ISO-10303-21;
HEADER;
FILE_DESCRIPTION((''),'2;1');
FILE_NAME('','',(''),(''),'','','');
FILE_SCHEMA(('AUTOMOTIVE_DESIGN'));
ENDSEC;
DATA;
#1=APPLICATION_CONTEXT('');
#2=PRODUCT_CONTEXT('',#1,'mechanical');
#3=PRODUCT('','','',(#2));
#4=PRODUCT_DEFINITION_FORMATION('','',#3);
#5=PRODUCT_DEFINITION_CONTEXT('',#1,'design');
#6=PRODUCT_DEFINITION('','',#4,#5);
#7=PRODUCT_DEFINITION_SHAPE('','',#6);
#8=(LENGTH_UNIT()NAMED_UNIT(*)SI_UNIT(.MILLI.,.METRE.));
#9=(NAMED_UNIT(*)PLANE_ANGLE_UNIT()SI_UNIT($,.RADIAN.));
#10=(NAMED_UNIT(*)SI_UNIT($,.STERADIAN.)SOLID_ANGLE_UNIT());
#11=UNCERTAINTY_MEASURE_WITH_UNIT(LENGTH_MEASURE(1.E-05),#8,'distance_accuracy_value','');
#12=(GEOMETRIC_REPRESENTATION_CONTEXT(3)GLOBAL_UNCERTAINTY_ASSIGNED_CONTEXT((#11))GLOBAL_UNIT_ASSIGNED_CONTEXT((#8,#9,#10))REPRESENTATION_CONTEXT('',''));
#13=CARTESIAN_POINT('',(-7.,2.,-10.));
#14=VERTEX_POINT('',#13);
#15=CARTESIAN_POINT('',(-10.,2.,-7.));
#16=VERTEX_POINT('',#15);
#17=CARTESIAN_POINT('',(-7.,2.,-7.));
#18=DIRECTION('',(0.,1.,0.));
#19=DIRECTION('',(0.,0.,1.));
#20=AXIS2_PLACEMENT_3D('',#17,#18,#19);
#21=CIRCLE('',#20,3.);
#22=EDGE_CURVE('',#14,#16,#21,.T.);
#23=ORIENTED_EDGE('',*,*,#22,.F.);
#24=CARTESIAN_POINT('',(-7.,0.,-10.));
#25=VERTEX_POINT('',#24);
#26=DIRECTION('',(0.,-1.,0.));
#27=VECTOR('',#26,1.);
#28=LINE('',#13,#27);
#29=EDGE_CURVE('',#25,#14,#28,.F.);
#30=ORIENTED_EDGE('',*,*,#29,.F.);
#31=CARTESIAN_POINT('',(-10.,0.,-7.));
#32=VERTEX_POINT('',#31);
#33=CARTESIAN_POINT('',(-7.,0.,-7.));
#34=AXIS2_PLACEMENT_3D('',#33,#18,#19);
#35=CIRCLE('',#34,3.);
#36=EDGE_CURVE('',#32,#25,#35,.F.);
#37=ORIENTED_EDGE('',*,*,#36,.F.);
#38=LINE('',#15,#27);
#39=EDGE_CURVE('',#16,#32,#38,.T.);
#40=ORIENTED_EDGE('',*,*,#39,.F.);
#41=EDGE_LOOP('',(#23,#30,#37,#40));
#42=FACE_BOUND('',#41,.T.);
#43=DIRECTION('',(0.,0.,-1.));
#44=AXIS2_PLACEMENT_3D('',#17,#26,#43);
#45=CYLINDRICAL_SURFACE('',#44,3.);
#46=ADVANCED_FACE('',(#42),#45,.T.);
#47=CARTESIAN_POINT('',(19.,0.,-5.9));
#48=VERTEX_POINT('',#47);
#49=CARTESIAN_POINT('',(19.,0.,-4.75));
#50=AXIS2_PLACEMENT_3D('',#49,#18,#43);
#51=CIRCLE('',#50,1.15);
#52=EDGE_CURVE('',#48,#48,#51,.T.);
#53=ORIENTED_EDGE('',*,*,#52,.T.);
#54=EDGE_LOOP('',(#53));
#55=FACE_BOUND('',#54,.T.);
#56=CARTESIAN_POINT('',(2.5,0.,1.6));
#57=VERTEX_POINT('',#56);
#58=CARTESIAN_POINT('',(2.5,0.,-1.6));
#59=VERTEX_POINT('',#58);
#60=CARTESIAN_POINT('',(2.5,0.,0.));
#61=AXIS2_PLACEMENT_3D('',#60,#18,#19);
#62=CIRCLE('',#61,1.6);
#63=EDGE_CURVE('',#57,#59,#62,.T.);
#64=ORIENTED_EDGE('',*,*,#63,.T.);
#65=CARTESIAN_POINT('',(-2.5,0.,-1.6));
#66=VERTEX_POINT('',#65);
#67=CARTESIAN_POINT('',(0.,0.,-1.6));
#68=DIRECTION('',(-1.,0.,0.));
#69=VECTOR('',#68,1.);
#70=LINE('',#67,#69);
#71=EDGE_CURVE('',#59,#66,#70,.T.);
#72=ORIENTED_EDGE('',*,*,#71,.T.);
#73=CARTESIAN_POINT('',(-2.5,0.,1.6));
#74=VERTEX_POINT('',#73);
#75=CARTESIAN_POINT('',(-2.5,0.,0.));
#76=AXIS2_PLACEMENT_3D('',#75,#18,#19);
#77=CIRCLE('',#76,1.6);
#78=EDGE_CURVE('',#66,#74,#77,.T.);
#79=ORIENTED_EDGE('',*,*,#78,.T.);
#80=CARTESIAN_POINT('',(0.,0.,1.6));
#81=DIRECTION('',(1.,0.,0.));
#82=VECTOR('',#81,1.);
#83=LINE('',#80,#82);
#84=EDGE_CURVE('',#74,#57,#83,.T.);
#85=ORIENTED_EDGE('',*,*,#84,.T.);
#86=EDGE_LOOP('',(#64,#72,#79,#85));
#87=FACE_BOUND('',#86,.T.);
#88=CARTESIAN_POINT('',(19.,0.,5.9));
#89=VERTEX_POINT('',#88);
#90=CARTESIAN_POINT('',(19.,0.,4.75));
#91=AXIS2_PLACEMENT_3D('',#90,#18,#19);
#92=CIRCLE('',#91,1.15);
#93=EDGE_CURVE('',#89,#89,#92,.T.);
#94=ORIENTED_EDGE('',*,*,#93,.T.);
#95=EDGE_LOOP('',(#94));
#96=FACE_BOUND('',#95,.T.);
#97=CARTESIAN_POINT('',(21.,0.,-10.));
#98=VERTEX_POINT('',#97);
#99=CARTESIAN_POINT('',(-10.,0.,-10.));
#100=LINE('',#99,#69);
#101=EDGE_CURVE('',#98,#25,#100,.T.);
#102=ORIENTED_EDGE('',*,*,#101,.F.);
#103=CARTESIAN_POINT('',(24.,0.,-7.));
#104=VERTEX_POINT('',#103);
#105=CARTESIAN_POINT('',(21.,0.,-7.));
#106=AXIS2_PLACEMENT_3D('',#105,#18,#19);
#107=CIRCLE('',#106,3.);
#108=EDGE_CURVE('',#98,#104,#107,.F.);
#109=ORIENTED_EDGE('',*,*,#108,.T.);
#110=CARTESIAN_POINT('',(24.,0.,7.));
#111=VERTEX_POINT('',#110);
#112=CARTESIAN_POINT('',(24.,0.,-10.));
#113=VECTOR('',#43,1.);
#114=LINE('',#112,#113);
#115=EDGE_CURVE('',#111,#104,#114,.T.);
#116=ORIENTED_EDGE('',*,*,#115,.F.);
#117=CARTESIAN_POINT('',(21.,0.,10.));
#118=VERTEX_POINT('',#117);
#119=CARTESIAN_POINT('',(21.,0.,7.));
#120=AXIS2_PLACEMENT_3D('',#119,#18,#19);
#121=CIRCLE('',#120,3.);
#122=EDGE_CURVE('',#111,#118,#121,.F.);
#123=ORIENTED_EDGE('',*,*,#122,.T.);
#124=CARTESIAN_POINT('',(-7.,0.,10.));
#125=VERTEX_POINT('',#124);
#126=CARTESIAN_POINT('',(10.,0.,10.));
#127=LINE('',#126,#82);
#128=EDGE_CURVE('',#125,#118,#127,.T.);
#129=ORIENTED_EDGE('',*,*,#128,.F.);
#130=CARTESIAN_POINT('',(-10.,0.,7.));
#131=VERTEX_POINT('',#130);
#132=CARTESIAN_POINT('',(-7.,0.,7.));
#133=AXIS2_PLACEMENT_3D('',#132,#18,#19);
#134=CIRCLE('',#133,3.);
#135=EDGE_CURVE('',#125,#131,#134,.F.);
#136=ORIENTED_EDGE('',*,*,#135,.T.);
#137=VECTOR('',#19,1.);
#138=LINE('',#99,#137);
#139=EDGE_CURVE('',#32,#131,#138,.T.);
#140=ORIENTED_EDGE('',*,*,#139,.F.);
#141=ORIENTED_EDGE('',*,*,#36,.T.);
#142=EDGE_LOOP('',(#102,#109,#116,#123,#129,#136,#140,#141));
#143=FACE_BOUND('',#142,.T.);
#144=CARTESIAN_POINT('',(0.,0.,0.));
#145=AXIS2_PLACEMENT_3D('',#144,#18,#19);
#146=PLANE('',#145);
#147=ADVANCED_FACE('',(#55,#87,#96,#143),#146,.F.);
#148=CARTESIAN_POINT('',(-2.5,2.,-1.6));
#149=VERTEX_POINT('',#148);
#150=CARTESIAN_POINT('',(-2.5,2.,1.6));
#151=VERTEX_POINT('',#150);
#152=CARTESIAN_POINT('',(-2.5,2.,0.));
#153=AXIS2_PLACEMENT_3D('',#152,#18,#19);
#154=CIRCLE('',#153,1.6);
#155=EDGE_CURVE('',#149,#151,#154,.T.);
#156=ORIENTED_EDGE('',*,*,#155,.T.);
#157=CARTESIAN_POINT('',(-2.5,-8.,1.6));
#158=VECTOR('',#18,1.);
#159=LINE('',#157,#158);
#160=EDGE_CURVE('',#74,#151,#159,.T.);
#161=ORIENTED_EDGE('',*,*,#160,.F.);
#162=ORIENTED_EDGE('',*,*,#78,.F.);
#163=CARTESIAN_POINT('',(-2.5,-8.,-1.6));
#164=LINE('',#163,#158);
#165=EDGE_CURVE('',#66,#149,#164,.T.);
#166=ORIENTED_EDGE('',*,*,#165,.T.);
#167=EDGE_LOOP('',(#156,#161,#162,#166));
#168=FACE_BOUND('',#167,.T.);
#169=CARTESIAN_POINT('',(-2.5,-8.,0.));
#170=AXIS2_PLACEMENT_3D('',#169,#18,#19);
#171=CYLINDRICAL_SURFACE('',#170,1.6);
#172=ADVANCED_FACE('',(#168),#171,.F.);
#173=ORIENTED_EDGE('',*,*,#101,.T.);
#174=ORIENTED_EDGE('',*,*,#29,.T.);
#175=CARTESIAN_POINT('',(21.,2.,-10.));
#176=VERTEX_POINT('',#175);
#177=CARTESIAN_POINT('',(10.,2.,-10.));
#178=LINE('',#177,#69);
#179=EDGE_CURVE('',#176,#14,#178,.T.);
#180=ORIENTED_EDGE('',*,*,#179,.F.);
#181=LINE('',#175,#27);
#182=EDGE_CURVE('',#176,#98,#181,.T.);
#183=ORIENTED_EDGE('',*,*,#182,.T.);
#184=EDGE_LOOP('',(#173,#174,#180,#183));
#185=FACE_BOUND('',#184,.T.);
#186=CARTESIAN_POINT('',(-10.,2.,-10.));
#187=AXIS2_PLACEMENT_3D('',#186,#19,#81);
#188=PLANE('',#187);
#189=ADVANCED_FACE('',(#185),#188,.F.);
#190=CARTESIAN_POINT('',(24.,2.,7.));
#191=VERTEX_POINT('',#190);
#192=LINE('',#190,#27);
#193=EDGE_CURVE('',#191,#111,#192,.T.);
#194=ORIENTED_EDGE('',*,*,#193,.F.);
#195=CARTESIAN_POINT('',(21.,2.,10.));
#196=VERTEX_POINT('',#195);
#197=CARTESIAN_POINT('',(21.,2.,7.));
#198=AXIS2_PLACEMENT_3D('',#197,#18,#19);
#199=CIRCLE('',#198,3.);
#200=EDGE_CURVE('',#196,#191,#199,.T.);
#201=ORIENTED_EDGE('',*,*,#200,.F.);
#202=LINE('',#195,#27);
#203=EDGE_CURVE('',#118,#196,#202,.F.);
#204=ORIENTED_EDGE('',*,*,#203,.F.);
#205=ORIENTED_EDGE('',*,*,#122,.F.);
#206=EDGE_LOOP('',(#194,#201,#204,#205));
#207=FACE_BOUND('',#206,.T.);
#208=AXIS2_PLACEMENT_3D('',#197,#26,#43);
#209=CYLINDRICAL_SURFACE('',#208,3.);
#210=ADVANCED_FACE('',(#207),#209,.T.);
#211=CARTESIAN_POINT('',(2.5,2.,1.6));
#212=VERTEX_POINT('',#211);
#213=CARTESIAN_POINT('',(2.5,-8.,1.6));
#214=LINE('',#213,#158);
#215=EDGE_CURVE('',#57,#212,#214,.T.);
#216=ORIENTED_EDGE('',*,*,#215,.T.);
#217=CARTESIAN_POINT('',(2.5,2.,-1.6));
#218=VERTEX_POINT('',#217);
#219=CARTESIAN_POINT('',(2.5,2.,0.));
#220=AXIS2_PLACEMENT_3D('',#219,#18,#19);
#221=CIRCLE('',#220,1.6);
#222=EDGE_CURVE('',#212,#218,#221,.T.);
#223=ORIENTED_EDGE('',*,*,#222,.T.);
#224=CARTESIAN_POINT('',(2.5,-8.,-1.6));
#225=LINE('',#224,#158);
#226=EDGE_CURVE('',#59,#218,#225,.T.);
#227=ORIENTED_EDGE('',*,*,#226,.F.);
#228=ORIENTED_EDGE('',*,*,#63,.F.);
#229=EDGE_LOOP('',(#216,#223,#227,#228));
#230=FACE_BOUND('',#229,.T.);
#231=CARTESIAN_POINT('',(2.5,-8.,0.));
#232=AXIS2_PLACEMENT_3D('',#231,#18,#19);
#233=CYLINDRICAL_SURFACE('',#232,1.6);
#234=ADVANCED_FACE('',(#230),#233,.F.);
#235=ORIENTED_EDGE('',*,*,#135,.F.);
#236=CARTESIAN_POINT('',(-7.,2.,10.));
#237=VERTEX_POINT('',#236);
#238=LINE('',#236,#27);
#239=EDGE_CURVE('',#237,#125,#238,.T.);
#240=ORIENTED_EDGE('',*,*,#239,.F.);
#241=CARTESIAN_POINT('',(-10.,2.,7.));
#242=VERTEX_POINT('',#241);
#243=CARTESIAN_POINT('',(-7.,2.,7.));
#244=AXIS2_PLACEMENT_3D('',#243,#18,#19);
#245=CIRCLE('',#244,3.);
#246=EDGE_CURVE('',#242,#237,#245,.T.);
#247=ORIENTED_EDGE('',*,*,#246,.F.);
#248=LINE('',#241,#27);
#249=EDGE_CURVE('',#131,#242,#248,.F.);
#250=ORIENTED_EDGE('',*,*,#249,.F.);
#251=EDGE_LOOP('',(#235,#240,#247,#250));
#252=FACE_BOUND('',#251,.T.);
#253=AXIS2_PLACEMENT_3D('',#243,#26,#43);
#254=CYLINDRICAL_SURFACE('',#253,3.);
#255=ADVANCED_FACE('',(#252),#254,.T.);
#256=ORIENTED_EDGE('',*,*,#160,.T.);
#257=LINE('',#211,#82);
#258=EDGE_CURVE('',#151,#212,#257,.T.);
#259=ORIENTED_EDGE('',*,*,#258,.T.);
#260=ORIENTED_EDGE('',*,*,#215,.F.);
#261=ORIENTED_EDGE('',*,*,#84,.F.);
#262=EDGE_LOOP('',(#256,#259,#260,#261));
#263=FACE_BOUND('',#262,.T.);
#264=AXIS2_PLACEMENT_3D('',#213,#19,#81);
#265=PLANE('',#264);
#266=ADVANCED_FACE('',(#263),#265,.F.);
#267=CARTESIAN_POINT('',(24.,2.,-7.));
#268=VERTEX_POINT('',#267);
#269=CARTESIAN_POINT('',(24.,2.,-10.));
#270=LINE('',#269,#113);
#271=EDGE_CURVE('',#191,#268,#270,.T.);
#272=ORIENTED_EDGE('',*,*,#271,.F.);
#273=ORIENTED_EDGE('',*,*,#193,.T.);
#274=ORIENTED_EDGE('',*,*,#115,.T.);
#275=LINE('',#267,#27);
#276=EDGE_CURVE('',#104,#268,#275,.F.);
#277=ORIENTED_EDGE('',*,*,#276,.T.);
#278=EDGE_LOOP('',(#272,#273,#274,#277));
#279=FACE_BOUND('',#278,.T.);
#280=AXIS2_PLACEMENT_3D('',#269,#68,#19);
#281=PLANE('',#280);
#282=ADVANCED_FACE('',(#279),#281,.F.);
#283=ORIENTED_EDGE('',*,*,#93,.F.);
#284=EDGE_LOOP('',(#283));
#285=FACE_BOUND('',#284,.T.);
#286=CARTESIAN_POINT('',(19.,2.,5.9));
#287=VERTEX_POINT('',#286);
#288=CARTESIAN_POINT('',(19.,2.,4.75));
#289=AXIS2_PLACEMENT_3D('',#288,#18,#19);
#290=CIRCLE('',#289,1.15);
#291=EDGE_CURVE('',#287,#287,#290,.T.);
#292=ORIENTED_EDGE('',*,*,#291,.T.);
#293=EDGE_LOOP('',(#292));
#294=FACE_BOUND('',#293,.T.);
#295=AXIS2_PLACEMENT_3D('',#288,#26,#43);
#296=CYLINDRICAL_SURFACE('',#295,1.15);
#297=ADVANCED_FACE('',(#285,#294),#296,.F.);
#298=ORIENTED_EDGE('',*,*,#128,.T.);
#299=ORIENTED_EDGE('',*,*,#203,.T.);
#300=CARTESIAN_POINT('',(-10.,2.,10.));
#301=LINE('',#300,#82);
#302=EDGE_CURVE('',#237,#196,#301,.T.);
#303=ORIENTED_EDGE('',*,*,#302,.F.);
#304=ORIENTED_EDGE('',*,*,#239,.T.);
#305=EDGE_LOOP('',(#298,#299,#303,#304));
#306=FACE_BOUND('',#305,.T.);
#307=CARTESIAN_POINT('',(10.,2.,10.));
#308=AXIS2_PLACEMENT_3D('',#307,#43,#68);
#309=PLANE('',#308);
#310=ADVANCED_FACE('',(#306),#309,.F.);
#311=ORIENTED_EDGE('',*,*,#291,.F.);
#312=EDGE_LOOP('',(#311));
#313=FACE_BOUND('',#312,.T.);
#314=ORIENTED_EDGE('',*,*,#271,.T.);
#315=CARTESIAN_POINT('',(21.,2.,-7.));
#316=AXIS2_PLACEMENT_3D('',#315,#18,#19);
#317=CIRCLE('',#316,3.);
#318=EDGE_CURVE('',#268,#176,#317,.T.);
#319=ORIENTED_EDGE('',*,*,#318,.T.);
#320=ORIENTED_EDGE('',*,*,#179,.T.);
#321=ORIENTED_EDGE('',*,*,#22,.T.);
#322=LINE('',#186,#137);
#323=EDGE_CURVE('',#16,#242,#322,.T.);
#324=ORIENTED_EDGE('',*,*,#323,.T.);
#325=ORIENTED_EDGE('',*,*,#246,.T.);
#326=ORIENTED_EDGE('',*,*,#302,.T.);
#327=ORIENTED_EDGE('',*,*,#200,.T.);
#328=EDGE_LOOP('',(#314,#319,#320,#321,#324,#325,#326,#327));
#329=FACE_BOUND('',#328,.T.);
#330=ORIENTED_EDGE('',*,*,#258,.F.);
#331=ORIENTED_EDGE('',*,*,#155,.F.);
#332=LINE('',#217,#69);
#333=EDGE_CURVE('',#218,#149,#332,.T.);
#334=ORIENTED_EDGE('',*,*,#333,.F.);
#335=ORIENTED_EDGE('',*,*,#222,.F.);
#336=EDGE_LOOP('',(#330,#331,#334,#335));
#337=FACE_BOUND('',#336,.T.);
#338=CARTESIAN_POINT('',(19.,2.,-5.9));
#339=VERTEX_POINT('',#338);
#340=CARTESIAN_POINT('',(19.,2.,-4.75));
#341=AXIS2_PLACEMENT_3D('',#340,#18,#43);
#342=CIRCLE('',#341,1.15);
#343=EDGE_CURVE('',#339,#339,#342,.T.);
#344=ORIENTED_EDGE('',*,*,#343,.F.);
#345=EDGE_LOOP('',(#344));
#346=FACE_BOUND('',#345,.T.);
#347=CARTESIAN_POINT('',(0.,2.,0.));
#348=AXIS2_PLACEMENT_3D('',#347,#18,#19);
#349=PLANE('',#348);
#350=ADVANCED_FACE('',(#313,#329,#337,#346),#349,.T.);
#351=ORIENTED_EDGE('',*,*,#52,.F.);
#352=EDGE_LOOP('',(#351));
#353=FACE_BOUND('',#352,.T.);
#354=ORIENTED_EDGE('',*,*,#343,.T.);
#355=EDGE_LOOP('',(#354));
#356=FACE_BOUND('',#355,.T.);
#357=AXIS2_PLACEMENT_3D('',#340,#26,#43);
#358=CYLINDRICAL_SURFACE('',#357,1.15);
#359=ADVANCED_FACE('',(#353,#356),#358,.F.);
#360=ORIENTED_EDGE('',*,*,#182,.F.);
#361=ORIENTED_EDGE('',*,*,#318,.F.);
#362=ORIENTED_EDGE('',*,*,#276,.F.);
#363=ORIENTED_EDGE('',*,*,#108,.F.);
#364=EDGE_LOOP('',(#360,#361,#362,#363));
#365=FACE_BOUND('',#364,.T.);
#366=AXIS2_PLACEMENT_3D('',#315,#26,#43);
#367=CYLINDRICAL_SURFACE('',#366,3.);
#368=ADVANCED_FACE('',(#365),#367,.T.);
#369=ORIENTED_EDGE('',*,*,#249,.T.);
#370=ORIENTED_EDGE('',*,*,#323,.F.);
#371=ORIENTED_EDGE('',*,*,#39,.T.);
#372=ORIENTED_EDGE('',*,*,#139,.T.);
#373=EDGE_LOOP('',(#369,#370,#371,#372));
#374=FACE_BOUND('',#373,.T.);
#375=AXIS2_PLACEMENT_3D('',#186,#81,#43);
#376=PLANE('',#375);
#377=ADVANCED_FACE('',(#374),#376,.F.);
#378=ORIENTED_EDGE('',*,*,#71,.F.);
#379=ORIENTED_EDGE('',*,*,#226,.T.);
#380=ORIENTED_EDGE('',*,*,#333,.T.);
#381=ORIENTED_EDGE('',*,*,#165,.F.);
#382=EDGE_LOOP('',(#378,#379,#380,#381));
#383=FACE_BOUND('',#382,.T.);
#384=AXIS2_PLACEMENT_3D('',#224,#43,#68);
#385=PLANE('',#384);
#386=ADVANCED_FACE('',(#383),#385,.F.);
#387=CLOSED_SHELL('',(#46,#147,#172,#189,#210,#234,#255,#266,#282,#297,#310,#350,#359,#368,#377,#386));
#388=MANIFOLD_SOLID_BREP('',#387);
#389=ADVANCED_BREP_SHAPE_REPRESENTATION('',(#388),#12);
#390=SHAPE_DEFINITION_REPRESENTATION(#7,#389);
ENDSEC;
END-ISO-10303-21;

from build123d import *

# Parameters (mm, degrees)
SKETCH_1_R          = 1.6
SKETCH_1_R_2        = 1.15
EXTRUDE_1_DEPTH     = 2
FILLET_2_R          = 3
CUT_EXTRUDE_1_DEPTH = 10


with BuildPart() as part:
    # 草图1 → 凸台-拉伸1 (new body)
    with BuildSketch(Plane(origin=(0, 0, 0), x_dir=(1, 0, 0), z_dir=(0, 1, 0))):
        Polygon((-10, 10), (10, 10), (24, 10), (24, -10), (10, -10), (-10, -10), align=None)
        Circle(SKETCH_1_R, mode=Mode.SUBTRACT)
        with Locations((19, -4.75)):
            Circle(SKETCH_1_R_2, mode=Mode.SUBTRACT)
        with Locations((19, 4.75)):
            Circle(SKETCH_1_R_2, mode=Mode.SUBTRACT)
    extrude(amount=EXTRUDE_1_DEPTH)

    # 圆角2
    fillet_2_edges = [part.edges().sort_by_distance(p)[0] for p in [
        (-10, 1, -10),
        (24, 1, -10),
        (24, 1, 10),
        (-10, 1, 10),
    ]]
    fillet(fillet_2_edges, radius=FILLET_2_R)

    # 草图2 → 切除-拉伸1 (cut)
    with BuildSketch(Plane(origin=(0, 2, 0), x_dir=(1, 0, 0), z_dir=(0, 1, 0))):
        with BuildLine():
            Line((2.5, -1.6), (-2.5, -1.6))
            ThreePointArc((-2.5, -1.6), (-4.1, 0), (-2.5, 1.6))
            Line((-2.5, 1.6), (2.5, 1.6))
            ThreePointArc((2.5, 1.6), (4.1, 0), (2.5, -1.6))
        make_face()
    extrude(amount=-CUT_EXTRUDE_1_DEPTH, mode=Mode.SUBTRACT)


solid = part.part
